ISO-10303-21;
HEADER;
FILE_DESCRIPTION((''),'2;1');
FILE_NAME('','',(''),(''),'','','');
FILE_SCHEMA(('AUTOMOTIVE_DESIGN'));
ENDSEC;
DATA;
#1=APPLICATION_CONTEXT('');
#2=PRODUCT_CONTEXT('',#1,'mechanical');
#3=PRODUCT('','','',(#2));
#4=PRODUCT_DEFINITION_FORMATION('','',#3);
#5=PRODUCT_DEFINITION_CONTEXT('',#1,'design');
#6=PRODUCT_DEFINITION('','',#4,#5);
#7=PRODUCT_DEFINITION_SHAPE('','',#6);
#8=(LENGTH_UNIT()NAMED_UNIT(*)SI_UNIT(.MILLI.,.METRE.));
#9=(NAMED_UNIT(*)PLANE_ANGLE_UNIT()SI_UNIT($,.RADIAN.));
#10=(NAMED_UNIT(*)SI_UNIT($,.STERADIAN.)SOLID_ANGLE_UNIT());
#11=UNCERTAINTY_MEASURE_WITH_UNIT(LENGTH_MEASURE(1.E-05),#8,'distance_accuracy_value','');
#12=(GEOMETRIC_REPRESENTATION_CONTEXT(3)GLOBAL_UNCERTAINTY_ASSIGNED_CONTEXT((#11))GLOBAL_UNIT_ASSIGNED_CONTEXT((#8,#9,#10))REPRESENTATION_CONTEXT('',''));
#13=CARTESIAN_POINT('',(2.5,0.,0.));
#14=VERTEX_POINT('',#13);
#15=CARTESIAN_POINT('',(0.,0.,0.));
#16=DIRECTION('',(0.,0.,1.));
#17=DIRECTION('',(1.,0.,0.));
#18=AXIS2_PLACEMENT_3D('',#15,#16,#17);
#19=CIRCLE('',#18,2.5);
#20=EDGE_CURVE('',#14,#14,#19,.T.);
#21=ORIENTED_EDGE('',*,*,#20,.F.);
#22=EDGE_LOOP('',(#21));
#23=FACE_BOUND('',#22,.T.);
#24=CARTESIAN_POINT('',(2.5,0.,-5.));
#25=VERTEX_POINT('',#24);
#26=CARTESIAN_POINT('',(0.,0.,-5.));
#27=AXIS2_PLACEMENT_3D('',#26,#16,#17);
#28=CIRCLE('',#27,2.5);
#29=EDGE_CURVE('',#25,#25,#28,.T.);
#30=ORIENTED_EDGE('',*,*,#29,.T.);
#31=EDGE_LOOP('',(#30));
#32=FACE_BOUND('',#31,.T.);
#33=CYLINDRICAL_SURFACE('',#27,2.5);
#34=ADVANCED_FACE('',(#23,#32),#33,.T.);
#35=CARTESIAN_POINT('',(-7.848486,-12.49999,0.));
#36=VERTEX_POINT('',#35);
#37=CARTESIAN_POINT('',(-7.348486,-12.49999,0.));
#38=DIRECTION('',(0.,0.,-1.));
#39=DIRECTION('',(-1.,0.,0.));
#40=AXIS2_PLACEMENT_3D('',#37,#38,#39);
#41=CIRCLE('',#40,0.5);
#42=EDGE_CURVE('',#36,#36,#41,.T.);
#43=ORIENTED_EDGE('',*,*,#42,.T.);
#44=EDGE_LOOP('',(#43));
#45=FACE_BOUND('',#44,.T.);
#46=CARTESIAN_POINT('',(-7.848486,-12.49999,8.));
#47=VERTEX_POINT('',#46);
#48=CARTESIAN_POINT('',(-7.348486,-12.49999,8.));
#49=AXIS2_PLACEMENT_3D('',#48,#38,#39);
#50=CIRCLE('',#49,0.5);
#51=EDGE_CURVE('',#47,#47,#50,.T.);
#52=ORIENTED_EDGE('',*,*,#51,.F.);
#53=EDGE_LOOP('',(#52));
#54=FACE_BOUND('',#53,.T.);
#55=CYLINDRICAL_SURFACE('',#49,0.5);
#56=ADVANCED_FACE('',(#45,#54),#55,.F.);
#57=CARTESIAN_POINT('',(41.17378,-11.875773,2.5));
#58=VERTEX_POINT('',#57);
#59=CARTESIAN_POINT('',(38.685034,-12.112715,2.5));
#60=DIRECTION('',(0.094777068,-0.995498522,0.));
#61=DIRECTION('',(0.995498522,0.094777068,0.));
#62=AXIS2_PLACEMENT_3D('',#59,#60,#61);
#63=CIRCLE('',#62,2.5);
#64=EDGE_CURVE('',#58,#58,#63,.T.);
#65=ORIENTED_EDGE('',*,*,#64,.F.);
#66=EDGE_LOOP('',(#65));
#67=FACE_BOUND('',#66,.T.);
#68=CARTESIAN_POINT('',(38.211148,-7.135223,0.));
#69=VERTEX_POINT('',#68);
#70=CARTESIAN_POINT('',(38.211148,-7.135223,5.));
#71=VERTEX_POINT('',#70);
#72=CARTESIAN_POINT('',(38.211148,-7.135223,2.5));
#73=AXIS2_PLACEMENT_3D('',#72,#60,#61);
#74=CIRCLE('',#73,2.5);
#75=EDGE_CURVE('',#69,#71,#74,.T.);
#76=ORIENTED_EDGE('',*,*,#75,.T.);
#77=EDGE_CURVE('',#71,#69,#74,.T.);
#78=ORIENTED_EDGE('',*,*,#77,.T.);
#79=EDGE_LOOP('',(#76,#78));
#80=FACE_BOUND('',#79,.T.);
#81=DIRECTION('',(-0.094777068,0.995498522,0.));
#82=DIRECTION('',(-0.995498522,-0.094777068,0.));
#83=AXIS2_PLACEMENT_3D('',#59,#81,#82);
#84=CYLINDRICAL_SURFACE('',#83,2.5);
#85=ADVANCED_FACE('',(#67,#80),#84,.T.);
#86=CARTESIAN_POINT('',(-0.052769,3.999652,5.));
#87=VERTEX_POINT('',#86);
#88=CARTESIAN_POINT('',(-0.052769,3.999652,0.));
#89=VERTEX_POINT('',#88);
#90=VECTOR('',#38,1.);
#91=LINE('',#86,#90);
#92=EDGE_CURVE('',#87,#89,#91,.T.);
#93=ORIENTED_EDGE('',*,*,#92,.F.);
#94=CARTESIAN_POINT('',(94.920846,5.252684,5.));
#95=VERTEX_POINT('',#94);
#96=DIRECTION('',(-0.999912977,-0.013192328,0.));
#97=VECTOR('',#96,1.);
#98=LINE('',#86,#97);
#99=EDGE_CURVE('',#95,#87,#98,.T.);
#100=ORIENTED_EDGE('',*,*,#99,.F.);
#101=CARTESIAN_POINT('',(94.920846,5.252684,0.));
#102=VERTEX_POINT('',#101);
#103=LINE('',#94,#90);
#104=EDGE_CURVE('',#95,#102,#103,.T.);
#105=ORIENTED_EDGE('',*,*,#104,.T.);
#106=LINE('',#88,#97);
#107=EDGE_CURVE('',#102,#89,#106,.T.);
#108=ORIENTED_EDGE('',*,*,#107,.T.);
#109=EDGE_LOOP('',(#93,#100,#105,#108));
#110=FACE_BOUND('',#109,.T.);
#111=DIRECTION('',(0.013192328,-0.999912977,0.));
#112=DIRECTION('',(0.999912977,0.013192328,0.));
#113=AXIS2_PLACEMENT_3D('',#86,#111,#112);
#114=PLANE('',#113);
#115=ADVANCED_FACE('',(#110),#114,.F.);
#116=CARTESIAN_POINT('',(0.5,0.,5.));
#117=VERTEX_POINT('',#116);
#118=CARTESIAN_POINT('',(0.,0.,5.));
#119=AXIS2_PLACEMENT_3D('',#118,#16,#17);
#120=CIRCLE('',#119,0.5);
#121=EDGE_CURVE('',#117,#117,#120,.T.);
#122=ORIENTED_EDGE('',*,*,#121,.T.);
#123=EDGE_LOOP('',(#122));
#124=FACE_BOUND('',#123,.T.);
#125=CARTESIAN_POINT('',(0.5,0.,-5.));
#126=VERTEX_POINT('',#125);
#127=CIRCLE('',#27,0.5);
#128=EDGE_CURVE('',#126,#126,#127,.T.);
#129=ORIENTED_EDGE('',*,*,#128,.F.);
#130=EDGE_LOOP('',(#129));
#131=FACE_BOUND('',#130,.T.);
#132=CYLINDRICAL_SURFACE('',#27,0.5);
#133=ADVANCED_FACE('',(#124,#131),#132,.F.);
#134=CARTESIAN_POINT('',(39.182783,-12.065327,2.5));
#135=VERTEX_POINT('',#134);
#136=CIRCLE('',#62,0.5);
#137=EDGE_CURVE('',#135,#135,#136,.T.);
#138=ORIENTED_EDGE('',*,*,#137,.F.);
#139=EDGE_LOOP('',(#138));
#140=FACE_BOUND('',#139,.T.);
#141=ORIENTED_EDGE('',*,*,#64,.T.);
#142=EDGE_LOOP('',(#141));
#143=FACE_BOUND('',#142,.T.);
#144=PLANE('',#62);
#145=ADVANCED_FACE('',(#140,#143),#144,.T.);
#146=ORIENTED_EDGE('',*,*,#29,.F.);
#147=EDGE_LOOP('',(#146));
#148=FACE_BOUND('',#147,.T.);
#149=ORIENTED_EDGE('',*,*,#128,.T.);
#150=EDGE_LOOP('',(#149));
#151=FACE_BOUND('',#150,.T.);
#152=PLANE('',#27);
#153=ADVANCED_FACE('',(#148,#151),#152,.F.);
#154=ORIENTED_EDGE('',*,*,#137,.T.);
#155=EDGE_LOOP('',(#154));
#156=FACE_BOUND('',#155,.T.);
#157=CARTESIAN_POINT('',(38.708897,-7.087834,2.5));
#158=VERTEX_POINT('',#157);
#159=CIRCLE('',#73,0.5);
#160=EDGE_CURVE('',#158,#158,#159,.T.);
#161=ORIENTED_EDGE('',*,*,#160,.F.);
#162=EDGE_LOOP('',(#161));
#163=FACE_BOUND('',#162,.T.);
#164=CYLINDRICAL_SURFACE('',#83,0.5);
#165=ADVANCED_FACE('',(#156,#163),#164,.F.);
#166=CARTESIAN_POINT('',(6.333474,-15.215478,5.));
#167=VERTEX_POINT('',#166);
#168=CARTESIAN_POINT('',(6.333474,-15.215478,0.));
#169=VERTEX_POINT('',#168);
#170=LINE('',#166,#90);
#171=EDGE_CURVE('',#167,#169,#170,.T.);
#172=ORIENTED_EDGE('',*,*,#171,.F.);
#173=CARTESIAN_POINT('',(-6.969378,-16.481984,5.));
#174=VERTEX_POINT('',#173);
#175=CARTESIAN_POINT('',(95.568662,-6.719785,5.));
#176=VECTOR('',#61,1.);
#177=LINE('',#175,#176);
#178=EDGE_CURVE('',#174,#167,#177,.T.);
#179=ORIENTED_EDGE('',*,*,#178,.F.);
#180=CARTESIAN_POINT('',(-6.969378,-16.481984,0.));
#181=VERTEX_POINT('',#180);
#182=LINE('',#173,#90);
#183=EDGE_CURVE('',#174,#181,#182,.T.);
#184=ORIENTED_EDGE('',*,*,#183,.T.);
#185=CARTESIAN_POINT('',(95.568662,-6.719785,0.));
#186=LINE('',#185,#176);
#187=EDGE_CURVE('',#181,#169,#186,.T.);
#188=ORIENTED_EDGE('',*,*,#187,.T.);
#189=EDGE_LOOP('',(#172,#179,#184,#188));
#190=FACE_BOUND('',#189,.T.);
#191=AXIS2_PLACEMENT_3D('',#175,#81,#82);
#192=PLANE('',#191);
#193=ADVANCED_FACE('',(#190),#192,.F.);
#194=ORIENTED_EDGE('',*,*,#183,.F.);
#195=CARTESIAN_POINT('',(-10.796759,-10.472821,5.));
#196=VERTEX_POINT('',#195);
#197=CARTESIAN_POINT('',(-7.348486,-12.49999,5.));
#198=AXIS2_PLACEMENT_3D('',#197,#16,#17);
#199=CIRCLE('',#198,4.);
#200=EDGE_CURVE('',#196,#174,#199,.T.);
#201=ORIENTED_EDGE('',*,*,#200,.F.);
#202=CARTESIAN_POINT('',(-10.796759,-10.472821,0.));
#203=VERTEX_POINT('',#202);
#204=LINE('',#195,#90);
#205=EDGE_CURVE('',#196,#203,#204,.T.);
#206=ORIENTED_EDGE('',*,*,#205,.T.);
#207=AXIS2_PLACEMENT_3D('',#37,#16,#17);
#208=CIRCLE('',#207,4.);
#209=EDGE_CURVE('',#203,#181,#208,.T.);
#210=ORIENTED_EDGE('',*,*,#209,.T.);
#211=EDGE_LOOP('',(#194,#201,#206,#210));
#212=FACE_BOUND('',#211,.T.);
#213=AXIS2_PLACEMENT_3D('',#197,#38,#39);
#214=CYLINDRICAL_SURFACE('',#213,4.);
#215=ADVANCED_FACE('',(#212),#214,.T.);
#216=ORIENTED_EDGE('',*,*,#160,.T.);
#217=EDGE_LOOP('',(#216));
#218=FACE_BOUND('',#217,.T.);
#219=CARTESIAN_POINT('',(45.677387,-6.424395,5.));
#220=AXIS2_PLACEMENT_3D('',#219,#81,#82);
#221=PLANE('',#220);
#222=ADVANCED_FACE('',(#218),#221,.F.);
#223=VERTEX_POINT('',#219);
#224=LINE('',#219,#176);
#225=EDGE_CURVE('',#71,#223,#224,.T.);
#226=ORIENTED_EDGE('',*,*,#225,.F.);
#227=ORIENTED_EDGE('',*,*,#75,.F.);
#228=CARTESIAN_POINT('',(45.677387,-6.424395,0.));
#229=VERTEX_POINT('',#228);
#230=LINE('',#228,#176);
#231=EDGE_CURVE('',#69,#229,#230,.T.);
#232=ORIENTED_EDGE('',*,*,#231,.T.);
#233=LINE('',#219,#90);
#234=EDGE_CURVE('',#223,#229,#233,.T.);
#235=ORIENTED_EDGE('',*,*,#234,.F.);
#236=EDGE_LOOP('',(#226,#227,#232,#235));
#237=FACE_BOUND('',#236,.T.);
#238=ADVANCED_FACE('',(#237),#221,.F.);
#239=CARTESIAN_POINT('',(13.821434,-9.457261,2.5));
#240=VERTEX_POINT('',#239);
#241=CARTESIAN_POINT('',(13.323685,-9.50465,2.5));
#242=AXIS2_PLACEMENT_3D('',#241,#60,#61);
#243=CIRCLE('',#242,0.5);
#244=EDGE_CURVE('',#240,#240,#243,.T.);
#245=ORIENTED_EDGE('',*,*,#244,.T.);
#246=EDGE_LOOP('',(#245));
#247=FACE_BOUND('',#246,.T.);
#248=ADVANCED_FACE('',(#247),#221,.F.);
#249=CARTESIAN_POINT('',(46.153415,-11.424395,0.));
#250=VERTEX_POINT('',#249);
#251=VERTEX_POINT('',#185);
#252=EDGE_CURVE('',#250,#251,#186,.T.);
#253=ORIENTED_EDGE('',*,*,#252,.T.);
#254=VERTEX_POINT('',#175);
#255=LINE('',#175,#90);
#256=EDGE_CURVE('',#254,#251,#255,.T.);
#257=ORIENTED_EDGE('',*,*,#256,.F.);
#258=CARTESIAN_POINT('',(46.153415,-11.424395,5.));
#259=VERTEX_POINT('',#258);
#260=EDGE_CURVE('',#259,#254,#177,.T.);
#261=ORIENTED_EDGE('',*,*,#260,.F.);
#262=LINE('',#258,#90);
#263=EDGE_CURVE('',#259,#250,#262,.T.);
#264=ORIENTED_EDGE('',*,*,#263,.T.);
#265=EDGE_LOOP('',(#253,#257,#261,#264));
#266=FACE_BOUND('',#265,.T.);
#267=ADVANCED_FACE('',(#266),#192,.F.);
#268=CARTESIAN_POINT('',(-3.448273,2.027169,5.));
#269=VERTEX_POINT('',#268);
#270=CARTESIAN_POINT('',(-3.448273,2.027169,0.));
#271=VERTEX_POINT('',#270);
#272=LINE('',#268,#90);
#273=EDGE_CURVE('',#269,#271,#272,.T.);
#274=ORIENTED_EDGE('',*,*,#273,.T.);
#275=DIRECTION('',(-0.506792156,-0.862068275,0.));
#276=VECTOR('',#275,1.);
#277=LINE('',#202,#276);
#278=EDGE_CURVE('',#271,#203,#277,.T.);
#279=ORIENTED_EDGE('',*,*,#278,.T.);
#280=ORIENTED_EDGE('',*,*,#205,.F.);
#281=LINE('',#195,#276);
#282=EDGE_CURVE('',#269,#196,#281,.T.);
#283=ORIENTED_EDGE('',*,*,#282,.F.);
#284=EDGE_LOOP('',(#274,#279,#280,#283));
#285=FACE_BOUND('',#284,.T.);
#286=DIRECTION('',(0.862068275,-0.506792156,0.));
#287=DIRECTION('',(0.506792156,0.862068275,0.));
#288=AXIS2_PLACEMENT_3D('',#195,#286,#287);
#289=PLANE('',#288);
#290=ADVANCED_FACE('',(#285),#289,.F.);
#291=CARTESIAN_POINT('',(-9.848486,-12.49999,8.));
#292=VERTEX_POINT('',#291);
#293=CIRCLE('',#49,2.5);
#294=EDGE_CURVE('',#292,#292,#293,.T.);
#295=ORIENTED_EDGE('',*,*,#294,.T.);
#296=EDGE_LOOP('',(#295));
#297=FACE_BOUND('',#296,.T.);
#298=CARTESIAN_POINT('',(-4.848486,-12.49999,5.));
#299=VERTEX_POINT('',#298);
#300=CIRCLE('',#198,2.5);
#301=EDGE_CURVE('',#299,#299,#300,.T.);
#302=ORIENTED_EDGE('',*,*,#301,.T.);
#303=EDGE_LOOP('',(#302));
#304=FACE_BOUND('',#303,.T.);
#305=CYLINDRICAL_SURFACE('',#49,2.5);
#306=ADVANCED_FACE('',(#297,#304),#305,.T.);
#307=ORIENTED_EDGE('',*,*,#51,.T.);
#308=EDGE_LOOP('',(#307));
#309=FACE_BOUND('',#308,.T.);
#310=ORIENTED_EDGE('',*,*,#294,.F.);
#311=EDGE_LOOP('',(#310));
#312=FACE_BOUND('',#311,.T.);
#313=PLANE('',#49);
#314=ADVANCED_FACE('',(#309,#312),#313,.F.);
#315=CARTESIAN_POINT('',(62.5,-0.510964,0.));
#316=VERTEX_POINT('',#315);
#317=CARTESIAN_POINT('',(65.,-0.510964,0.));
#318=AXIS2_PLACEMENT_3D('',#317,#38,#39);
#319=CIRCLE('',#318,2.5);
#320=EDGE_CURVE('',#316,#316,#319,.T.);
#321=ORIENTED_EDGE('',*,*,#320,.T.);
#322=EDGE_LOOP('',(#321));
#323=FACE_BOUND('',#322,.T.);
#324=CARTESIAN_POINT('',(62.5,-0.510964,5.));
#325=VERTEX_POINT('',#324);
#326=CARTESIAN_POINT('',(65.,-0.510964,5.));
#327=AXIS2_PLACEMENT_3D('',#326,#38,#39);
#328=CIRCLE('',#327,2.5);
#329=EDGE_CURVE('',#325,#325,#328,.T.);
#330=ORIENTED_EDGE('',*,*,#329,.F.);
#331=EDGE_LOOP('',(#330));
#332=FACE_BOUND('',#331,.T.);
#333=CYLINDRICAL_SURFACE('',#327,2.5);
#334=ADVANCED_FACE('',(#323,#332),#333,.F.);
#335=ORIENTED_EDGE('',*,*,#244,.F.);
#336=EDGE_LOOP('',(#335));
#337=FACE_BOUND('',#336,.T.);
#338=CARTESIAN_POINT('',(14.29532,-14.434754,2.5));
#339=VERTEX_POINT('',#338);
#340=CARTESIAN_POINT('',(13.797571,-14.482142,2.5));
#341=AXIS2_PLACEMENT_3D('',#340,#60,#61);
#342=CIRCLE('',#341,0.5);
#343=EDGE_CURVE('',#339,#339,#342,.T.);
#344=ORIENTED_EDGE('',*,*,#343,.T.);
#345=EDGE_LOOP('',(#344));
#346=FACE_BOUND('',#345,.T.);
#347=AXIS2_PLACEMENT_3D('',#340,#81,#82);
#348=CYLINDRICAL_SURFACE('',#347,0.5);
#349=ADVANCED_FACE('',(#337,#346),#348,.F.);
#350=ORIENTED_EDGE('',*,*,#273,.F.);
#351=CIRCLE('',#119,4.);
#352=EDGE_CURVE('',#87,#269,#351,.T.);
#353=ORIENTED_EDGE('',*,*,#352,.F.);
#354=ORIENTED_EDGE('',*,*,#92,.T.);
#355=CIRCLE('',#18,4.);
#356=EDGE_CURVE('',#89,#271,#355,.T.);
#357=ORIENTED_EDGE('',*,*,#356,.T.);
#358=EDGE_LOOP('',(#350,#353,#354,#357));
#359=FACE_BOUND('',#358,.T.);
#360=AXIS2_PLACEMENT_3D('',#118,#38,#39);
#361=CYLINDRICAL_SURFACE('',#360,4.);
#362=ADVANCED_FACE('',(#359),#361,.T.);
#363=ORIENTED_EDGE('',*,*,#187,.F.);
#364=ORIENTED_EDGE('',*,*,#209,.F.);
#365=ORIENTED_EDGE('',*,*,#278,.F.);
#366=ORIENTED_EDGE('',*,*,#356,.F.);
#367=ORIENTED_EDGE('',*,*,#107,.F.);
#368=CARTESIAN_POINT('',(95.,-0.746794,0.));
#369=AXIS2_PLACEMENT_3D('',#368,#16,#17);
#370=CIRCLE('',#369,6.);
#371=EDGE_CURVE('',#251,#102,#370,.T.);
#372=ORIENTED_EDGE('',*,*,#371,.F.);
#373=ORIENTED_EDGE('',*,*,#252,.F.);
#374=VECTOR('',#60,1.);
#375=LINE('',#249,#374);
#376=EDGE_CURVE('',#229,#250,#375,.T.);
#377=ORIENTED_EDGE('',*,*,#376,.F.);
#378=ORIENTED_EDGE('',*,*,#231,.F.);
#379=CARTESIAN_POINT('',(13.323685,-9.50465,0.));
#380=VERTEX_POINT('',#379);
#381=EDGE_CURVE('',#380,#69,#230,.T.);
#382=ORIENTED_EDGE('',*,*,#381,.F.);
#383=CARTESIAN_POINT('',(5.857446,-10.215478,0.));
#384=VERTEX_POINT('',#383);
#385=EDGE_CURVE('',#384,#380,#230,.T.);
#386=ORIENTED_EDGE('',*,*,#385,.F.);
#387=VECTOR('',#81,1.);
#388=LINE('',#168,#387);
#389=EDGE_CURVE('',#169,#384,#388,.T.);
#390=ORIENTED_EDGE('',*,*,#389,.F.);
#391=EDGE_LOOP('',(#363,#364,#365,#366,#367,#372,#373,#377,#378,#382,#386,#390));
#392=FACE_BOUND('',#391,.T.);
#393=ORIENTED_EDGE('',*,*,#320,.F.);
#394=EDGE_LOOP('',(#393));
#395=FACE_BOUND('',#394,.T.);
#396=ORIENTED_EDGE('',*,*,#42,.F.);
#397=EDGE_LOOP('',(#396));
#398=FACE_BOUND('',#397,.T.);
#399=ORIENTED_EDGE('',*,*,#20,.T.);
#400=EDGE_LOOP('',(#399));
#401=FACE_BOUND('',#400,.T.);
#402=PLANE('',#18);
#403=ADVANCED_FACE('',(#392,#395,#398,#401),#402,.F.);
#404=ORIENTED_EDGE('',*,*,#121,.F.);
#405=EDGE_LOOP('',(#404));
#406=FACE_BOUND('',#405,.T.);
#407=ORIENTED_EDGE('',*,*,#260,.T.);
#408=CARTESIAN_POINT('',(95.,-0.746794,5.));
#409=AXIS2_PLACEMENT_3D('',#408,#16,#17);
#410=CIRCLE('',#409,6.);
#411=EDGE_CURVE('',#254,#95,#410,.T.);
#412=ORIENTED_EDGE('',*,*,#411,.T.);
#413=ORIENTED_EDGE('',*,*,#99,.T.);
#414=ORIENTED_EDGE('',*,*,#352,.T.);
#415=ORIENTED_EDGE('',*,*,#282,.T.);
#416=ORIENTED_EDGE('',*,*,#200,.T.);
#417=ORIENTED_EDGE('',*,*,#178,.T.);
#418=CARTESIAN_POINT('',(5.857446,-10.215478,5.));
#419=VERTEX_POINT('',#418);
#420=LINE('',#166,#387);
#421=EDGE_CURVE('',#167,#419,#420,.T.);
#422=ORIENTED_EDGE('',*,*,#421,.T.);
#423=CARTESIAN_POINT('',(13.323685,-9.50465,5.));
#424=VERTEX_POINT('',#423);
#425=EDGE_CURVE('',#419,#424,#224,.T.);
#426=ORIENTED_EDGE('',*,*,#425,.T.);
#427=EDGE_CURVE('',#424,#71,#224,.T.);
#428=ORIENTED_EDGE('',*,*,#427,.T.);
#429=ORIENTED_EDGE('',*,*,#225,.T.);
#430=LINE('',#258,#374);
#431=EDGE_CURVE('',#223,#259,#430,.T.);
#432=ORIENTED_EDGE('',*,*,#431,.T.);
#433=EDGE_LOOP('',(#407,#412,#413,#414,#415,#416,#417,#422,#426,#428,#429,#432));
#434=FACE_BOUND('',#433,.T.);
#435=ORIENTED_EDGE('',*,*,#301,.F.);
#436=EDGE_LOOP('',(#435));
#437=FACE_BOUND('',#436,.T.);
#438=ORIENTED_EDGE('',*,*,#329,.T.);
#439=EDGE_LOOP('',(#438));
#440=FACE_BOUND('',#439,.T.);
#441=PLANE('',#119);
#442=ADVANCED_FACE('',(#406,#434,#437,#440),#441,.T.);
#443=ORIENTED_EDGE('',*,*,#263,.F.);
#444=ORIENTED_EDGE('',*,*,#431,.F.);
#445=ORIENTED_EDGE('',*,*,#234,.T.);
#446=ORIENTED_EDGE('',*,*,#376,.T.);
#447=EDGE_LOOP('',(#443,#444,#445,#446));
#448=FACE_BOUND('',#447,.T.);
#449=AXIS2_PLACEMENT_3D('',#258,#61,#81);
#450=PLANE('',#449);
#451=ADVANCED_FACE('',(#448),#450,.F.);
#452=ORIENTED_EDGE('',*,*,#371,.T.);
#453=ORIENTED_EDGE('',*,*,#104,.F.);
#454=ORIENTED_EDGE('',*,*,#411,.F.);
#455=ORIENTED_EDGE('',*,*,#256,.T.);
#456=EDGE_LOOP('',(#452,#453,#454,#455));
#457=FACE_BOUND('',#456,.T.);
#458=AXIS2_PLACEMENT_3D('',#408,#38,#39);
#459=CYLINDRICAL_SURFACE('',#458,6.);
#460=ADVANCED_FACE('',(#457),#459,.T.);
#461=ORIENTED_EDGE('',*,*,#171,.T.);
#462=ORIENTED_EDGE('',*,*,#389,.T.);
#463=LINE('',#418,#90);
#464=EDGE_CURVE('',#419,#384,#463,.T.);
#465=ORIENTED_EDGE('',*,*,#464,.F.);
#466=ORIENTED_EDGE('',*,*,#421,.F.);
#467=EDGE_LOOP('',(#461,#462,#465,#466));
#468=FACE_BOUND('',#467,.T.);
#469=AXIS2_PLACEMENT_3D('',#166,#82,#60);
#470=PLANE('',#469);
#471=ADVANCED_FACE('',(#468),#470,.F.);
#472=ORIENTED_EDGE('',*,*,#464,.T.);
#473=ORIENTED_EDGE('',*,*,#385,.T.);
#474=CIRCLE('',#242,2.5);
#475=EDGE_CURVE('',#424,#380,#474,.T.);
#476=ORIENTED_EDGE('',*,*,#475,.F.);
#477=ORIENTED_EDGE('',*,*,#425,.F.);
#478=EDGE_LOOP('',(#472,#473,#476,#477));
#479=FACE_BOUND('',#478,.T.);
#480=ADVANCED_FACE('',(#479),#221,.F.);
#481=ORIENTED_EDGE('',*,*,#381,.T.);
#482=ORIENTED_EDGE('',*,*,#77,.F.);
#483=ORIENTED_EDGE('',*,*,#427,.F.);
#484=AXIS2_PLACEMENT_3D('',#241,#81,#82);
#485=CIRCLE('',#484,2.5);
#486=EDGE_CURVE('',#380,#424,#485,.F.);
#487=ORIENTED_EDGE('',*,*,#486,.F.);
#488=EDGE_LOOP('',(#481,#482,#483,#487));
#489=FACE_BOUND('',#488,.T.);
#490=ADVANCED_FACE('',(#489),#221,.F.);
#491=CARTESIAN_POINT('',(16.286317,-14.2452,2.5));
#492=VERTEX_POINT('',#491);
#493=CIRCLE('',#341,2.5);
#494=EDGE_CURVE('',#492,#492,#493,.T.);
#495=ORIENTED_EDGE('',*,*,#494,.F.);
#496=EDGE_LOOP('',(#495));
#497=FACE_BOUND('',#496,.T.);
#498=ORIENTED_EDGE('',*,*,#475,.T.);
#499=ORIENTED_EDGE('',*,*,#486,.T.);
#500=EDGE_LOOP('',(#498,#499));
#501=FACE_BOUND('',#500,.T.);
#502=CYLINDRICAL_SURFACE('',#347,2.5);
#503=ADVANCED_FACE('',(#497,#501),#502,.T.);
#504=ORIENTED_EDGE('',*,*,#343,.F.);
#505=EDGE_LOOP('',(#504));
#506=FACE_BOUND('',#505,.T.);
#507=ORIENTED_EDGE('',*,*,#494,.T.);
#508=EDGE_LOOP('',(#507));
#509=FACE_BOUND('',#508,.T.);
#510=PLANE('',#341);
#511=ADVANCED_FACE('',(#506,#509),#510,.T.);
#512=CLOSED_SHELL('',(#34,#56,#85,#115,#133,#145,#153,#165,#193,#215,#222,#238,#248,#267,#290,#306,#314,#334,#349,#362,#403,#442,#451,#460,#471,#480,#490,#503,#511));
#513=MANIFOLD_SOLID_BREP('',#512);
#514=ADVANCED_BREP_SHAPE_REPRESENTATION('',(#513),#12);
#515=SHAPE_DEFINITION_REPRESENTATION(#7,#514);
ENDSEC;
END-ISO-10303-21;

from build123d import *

# Parameters (mm, degrees)
SKETCH3_R           = 2.5
BOSS_EXTRUDE1_DEPTH = 5
BOSS_EXTRUDE2_START = -10
SKETCH4_R           = 2.5
SKETCH4_R_2         = 0.5
BOSS_EXTRUDE2_DEPTH = 10
SKETCH5_R           = 2.5
SKETCH5_R_2         = 0.5
BOSS_EXTRUDE3_DEPTH = 8
SKETCH6_R           = 2.5
CUT_EXTRUDE1_DEPTH  = 5
CUT_EXTRUDE2_DEPTH  = 5
SKETCH8_R           = 2.5
SKETCH8_R_2         = 0.5
BOSS_EXTRUDE4_DEPTH = 5


with BuildPart() as part:
    # Sketch3 → Boss-Extrude1 (new body)
    with BuildSketch(Plane.XY):
        with BuildLine():
            Line((-10.796759364, -10.47282136), (-3.448273099, 2.027168625))
            ThreePointArc((-3.448273099, 2.027168625), (-2.009227979, 3.458757425), (-0.052769314, 3.99965191))
            Line((-0.052769314, 3.99965191), (94.920846029, 5.252684082))
            ThreePointArc((94.920846029, 5.252684082), (100.991235941, -0.422614971), (95.568662408, -6.719784915))
            Line((95.568662408, -6.719784915), (-6.969377993, -16.481984073))
            ThreePointArc((-6.969377993, -16.481984073), (-10.722275279, -14.648837976), (-10.796759364, -10.47282136))
        make_face()
        with Locations((-7.348486265, -12.499989985)):
            Circle(SKETCH3_R, mode=Mode.SUBTRACT)
        Circle(SKETCH3_R, mode=Mode.SUBTRACT)
    extrude(amount=BOSS_EXTRUDE1_DEPTH)

    # Sketch4 → Boss-Extrude2 (add)
    with BuildSketch(Plane.XY.offset(5).offset(BOSS_EXTRUDE2_START)):
        Circle(SKETCH4_R)
        Circle(SKETCH4_R_2, mode=Mode.SUBTRACT)
    extrude(amount=BOSS_EXTRUDE2_DEPTH)

    # Sketch5 → Boss-Extrude3 (add)
    with BuildSketch(Plane(origin=(0, 0, 0), x_dir=(-1, 0, 0), z_dir=(0, 0, -1))):
        with Locations((7.348486265, -12.499989985)):
            Circle(SKETCH5_R)
        with Locations((7.348486265, -12.499989985)):
            Circle(SKETCH5_R_2, mode=Mode.SUBTRACT)
    extrude(amount=-BOSS_EXTRUDE3_DEPTH)

    # Sketch6 → Cut-Extrude1 (cut)
    with BuildSketch(Plane(origin=(0, 0, 0), x_dir=(-1, 0, 0), z_dir=(0, 0, -1))):
        with Locations((-65, -0.510964167)):
            Circle(SKETCH6_R)
    extrude(amount=-CUT_EXTRUDE1_DEPTH, mode=Mode.SUBTRACT)

    # Sketch7 → Cut-Extrude2 (cut)
    with BuildSketch(Plane(origin=(0, 0, 0), x_dir=(-1, 0, 0), z_dir=(0, 0, -1))):
        Polygon((-46.153415314, -11.42439485), (-6.333474433, -15.215477572), (-5.857446262, -10.215477572), (-45.677387144, -6.42439485), align=None)
    extrude(amount=-CUT_EXTRUDE2_DEPTH, mode=Mode.SUBTRACT)

    # Sketch8 → Boss-Extrude4 (add)
    # profile 1 of 2: a face of its own
    with BuildSketch(Plane(origin=(1.016450353, -10.676367657, 0), x_dir=(0.9954985220336859, 0.09477706805312772, 0), z_dir=(0.09477706805312772, -0.9954985220336859, 0))):
        with Locations(Location((12.362886084, 2.5, 0), (0, 0, 270))):
            Circle(SKETCH8_R)
        with Locations((12.362886084, 2.5)):
            Circle(SKETCH8_R_2, mode=Mode.SUBTRACT)
    # profile 2 of 2: a face of its own
    with BuildSketch(Plane(origin=(1.016450353, -10.676367657, 0), x_dir=(0.9954985220336859, 0.09477706805312772, 0), z_dir=(0.09477706805312772, -0.9954985220336859, 0))):
        with Locations(Location((37.362886084, 2.5, 0), (0, 0, 270))):
            Circle(SKETCH8_R)
        with Locations((37.362886084, 2.5)):
            Circle(SKETCH8_R_2, mode=Mode.SUBTRACT)
    extrude(amount=BOSS_EXTRUDE4_DEPTH)


solid = part.part
